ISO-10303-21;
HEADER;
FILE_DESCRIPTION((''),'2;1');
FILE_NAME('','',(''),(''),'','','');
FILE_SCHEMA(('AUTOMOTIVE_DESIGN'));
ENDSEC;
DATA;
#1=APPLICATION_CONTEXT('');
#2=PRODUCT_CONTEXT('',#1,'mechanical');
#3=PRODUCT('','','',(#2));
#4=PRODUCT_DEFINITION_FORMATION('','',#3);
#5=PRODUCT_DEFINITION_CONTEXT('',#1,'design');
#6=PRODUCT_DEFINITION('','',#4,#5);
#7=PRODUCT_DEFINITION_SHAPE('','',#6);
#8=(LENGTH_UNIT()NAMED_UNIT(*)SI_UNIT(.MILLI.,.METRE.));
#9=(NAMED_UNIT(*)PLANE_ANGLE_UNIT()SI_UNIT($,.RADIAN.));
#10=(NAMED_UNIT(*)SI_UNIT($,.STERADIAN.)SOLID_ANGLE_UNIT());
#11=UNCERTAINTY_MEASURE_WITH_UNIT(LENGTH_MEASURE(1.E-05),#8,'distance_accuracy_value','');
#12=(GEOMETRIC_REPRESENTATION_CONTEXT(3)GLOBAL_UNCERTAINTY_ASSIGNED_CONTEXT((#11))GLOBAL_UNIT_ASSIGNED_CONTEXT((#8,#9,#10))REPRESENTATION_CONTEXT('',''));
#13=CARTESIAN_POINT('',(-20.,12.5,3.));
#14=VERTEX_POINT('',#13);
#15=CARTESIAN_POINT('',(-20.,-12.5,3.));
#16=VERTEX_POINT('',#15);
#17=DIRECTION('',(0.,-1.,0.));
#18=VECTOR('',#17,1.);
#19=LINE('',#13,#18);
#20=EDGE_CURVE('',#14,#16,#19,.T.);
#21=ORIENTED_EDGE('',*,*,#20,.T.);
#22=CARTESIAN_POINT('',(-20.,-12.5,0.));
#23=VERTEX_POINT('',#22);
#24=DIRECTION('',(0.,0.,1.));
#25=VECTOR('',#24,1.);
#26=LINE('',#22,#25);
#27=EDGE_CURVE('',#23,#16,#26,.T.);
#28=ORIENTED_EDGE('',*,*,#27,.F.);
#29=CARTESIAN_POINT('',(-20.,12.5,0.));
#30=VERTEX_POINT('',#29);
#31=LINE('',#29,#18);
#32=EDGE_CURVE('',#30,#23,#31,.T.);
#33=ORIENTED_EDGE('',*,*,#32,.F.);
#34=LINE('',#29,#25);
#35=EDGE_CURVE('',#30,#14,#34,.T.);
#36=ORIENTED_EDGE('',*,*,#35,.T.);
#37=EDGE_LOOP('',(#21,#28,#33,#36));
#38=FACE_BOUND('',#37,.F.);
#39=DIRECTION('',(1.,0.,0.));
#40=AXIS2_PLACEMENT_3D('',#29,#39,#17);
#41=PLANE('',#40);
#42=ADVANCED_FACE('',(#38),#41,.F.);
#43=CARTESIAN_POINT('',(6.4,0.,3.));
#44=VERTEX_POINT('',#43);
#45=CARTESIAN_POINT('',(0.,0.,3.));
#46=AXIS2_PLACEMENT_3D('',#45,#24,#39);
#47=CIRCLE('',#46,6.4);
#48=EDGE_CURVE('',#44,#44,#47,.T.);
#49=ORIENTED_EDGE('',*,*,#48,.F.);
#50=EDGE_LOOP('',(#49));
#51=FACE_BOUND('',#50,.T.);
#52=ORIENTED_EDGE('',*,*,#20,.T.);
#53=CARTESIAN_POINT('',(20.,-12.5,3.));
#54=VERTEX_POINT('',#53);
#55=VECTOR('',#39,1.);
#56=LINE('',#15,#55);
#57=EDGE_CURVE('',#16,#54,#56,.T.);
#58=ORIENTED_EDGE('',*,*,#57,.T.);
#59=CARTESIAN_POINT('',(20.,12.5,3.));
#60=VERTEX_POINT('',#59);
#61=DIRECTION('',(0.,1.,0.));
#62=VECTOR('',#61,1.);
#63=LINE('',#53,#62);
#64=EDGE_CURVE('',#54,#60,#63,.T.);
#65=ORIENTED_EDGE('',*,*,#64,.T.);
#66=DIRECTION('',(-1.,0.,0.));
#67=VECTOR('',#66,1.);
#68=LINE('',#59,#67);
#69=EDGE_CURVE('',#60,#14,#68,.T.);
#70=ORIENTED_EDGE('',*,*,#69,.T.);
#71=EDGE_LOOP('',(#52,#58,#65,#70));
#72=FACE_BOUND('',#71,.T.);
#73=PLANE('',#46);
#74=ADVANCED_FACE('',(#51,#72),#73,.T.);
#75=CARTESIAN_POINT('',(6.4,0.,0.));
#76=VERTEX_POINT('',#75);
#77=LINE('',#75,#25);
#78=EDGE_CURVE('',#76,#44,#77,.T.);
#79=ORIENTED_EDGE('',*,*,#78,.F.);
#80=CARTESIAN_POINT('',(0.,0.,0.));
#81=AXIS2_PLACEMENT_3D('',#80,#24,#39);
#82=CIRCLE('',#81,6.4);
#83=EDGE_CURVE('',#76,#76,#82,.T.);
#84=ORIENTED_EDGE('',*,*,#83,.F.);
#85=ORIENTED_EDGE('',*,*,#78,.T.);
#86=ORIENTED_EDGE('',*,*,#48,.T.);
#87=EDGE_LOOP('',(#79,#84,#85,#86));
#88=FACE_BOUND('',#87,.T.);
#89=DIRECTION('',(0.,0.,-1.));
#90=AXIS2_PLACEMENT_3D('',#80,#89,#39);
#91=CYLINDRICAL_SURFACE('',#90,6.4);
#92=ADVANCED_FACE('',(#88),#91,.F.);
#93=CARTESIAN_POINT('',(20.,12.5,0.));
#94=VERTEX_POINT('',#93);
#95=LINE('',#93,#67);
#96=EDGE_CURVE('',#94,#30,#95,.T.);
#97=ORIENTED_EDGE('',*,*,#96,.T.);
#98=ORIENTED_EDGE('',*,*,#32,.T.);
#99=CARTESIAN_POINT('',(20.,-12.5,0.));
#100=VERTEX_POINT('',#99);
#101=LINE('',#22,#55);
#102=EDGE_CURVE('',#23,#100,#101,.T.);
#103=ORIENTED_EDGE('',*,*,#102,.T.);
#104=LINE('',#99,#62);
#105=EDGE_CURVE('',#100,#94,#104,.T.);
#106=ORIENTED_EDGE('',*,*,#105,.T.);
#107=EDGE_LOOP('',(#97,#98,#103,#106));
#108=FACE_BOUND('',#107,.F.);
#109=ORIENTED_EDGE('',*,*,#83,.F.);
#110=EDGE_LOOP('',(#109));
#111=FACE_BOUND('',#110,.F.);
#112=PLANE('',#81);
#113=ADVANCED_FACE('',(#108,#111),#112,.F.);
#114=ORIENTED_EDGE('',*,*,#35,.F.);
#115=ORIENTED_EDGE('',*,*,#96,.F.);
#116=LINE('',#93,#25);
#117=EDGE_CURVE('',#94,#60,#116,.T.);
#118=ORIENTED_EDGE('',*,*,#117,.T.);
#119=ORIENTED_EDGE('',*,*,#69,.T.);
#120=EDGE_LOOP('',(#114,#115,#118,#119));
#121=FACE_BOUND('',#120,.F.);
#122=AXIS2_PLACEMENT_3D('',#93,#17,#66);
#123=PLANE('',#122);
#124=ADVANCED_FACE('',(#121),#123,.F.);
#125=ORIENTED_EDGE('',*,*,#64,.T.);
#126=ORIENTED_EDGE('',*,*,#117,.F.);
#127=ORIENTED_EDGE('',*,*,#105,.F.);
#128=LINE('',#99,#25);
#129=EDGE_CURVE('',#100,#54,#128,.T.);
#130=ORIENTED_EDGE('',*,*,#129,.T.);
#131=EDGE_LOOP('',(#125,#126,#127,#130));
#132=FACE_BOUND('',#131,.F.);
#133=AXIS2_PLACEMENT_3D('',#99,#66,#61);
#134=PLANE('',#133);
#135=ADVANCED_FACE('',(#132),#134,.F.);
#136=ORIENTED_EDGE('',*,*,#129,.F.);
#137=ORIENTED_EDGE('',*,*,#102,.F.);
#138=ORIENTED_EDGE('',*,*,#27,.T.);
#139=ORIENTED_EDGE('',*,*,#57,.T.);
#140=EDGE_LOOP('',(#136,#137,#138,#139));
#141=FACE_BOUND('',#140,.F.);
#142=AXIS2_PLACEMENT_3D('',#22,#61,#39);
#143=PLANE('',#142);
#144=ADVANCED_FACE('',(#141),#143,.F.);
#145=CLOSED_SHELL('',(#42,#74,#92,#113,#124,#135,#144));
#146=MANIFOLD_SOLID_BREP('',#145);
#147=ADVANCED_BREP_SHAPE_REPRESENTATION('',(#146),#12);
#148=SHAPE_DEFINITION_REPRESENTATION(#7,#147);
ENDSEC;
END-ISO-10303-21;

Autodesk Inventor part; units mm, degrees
ref_plane "YZ Plane" through (0, 0, 0) normal (1, 0, 0) x (0, 1, 0)
ref_plane "XZ Plane" through (0, 0, 0) normal (0, 1, 0) x (-1, 0, 0)
ref_plane "XY Plane" through (0, 0, 0) normal (0, 0, 1) x (1, 0, 0)
sketch "Sketch1" plane through (0, 0, 0) normal (0, 0, 1) x (1, 0, 0)
  circle A0 centre (0, 0) radius 6.4
  line L0 (-20, -12.5) -> (20, -12.5)
  line L1 (20, -12.5) -> (20, 12.5)
  line L2 (20, 12.5) -> (-20, 12.5)
  line L3 (-20, 12.5) -> (-20, -12.5)
  dimension "d0" = 12.8
  dimension "d1" = 20
  dimension "d2" = 40
  dimension "d3" = 25
  dimension "d4" = 12.5
extrude "Extrusion1" add sketch "Sketch1" along normal blind 3
equation "\"d1\" = 0.5 * d2"
equation "\"d4\" = 0.5 * d3"
properties part number "314-07" material "Steel"
